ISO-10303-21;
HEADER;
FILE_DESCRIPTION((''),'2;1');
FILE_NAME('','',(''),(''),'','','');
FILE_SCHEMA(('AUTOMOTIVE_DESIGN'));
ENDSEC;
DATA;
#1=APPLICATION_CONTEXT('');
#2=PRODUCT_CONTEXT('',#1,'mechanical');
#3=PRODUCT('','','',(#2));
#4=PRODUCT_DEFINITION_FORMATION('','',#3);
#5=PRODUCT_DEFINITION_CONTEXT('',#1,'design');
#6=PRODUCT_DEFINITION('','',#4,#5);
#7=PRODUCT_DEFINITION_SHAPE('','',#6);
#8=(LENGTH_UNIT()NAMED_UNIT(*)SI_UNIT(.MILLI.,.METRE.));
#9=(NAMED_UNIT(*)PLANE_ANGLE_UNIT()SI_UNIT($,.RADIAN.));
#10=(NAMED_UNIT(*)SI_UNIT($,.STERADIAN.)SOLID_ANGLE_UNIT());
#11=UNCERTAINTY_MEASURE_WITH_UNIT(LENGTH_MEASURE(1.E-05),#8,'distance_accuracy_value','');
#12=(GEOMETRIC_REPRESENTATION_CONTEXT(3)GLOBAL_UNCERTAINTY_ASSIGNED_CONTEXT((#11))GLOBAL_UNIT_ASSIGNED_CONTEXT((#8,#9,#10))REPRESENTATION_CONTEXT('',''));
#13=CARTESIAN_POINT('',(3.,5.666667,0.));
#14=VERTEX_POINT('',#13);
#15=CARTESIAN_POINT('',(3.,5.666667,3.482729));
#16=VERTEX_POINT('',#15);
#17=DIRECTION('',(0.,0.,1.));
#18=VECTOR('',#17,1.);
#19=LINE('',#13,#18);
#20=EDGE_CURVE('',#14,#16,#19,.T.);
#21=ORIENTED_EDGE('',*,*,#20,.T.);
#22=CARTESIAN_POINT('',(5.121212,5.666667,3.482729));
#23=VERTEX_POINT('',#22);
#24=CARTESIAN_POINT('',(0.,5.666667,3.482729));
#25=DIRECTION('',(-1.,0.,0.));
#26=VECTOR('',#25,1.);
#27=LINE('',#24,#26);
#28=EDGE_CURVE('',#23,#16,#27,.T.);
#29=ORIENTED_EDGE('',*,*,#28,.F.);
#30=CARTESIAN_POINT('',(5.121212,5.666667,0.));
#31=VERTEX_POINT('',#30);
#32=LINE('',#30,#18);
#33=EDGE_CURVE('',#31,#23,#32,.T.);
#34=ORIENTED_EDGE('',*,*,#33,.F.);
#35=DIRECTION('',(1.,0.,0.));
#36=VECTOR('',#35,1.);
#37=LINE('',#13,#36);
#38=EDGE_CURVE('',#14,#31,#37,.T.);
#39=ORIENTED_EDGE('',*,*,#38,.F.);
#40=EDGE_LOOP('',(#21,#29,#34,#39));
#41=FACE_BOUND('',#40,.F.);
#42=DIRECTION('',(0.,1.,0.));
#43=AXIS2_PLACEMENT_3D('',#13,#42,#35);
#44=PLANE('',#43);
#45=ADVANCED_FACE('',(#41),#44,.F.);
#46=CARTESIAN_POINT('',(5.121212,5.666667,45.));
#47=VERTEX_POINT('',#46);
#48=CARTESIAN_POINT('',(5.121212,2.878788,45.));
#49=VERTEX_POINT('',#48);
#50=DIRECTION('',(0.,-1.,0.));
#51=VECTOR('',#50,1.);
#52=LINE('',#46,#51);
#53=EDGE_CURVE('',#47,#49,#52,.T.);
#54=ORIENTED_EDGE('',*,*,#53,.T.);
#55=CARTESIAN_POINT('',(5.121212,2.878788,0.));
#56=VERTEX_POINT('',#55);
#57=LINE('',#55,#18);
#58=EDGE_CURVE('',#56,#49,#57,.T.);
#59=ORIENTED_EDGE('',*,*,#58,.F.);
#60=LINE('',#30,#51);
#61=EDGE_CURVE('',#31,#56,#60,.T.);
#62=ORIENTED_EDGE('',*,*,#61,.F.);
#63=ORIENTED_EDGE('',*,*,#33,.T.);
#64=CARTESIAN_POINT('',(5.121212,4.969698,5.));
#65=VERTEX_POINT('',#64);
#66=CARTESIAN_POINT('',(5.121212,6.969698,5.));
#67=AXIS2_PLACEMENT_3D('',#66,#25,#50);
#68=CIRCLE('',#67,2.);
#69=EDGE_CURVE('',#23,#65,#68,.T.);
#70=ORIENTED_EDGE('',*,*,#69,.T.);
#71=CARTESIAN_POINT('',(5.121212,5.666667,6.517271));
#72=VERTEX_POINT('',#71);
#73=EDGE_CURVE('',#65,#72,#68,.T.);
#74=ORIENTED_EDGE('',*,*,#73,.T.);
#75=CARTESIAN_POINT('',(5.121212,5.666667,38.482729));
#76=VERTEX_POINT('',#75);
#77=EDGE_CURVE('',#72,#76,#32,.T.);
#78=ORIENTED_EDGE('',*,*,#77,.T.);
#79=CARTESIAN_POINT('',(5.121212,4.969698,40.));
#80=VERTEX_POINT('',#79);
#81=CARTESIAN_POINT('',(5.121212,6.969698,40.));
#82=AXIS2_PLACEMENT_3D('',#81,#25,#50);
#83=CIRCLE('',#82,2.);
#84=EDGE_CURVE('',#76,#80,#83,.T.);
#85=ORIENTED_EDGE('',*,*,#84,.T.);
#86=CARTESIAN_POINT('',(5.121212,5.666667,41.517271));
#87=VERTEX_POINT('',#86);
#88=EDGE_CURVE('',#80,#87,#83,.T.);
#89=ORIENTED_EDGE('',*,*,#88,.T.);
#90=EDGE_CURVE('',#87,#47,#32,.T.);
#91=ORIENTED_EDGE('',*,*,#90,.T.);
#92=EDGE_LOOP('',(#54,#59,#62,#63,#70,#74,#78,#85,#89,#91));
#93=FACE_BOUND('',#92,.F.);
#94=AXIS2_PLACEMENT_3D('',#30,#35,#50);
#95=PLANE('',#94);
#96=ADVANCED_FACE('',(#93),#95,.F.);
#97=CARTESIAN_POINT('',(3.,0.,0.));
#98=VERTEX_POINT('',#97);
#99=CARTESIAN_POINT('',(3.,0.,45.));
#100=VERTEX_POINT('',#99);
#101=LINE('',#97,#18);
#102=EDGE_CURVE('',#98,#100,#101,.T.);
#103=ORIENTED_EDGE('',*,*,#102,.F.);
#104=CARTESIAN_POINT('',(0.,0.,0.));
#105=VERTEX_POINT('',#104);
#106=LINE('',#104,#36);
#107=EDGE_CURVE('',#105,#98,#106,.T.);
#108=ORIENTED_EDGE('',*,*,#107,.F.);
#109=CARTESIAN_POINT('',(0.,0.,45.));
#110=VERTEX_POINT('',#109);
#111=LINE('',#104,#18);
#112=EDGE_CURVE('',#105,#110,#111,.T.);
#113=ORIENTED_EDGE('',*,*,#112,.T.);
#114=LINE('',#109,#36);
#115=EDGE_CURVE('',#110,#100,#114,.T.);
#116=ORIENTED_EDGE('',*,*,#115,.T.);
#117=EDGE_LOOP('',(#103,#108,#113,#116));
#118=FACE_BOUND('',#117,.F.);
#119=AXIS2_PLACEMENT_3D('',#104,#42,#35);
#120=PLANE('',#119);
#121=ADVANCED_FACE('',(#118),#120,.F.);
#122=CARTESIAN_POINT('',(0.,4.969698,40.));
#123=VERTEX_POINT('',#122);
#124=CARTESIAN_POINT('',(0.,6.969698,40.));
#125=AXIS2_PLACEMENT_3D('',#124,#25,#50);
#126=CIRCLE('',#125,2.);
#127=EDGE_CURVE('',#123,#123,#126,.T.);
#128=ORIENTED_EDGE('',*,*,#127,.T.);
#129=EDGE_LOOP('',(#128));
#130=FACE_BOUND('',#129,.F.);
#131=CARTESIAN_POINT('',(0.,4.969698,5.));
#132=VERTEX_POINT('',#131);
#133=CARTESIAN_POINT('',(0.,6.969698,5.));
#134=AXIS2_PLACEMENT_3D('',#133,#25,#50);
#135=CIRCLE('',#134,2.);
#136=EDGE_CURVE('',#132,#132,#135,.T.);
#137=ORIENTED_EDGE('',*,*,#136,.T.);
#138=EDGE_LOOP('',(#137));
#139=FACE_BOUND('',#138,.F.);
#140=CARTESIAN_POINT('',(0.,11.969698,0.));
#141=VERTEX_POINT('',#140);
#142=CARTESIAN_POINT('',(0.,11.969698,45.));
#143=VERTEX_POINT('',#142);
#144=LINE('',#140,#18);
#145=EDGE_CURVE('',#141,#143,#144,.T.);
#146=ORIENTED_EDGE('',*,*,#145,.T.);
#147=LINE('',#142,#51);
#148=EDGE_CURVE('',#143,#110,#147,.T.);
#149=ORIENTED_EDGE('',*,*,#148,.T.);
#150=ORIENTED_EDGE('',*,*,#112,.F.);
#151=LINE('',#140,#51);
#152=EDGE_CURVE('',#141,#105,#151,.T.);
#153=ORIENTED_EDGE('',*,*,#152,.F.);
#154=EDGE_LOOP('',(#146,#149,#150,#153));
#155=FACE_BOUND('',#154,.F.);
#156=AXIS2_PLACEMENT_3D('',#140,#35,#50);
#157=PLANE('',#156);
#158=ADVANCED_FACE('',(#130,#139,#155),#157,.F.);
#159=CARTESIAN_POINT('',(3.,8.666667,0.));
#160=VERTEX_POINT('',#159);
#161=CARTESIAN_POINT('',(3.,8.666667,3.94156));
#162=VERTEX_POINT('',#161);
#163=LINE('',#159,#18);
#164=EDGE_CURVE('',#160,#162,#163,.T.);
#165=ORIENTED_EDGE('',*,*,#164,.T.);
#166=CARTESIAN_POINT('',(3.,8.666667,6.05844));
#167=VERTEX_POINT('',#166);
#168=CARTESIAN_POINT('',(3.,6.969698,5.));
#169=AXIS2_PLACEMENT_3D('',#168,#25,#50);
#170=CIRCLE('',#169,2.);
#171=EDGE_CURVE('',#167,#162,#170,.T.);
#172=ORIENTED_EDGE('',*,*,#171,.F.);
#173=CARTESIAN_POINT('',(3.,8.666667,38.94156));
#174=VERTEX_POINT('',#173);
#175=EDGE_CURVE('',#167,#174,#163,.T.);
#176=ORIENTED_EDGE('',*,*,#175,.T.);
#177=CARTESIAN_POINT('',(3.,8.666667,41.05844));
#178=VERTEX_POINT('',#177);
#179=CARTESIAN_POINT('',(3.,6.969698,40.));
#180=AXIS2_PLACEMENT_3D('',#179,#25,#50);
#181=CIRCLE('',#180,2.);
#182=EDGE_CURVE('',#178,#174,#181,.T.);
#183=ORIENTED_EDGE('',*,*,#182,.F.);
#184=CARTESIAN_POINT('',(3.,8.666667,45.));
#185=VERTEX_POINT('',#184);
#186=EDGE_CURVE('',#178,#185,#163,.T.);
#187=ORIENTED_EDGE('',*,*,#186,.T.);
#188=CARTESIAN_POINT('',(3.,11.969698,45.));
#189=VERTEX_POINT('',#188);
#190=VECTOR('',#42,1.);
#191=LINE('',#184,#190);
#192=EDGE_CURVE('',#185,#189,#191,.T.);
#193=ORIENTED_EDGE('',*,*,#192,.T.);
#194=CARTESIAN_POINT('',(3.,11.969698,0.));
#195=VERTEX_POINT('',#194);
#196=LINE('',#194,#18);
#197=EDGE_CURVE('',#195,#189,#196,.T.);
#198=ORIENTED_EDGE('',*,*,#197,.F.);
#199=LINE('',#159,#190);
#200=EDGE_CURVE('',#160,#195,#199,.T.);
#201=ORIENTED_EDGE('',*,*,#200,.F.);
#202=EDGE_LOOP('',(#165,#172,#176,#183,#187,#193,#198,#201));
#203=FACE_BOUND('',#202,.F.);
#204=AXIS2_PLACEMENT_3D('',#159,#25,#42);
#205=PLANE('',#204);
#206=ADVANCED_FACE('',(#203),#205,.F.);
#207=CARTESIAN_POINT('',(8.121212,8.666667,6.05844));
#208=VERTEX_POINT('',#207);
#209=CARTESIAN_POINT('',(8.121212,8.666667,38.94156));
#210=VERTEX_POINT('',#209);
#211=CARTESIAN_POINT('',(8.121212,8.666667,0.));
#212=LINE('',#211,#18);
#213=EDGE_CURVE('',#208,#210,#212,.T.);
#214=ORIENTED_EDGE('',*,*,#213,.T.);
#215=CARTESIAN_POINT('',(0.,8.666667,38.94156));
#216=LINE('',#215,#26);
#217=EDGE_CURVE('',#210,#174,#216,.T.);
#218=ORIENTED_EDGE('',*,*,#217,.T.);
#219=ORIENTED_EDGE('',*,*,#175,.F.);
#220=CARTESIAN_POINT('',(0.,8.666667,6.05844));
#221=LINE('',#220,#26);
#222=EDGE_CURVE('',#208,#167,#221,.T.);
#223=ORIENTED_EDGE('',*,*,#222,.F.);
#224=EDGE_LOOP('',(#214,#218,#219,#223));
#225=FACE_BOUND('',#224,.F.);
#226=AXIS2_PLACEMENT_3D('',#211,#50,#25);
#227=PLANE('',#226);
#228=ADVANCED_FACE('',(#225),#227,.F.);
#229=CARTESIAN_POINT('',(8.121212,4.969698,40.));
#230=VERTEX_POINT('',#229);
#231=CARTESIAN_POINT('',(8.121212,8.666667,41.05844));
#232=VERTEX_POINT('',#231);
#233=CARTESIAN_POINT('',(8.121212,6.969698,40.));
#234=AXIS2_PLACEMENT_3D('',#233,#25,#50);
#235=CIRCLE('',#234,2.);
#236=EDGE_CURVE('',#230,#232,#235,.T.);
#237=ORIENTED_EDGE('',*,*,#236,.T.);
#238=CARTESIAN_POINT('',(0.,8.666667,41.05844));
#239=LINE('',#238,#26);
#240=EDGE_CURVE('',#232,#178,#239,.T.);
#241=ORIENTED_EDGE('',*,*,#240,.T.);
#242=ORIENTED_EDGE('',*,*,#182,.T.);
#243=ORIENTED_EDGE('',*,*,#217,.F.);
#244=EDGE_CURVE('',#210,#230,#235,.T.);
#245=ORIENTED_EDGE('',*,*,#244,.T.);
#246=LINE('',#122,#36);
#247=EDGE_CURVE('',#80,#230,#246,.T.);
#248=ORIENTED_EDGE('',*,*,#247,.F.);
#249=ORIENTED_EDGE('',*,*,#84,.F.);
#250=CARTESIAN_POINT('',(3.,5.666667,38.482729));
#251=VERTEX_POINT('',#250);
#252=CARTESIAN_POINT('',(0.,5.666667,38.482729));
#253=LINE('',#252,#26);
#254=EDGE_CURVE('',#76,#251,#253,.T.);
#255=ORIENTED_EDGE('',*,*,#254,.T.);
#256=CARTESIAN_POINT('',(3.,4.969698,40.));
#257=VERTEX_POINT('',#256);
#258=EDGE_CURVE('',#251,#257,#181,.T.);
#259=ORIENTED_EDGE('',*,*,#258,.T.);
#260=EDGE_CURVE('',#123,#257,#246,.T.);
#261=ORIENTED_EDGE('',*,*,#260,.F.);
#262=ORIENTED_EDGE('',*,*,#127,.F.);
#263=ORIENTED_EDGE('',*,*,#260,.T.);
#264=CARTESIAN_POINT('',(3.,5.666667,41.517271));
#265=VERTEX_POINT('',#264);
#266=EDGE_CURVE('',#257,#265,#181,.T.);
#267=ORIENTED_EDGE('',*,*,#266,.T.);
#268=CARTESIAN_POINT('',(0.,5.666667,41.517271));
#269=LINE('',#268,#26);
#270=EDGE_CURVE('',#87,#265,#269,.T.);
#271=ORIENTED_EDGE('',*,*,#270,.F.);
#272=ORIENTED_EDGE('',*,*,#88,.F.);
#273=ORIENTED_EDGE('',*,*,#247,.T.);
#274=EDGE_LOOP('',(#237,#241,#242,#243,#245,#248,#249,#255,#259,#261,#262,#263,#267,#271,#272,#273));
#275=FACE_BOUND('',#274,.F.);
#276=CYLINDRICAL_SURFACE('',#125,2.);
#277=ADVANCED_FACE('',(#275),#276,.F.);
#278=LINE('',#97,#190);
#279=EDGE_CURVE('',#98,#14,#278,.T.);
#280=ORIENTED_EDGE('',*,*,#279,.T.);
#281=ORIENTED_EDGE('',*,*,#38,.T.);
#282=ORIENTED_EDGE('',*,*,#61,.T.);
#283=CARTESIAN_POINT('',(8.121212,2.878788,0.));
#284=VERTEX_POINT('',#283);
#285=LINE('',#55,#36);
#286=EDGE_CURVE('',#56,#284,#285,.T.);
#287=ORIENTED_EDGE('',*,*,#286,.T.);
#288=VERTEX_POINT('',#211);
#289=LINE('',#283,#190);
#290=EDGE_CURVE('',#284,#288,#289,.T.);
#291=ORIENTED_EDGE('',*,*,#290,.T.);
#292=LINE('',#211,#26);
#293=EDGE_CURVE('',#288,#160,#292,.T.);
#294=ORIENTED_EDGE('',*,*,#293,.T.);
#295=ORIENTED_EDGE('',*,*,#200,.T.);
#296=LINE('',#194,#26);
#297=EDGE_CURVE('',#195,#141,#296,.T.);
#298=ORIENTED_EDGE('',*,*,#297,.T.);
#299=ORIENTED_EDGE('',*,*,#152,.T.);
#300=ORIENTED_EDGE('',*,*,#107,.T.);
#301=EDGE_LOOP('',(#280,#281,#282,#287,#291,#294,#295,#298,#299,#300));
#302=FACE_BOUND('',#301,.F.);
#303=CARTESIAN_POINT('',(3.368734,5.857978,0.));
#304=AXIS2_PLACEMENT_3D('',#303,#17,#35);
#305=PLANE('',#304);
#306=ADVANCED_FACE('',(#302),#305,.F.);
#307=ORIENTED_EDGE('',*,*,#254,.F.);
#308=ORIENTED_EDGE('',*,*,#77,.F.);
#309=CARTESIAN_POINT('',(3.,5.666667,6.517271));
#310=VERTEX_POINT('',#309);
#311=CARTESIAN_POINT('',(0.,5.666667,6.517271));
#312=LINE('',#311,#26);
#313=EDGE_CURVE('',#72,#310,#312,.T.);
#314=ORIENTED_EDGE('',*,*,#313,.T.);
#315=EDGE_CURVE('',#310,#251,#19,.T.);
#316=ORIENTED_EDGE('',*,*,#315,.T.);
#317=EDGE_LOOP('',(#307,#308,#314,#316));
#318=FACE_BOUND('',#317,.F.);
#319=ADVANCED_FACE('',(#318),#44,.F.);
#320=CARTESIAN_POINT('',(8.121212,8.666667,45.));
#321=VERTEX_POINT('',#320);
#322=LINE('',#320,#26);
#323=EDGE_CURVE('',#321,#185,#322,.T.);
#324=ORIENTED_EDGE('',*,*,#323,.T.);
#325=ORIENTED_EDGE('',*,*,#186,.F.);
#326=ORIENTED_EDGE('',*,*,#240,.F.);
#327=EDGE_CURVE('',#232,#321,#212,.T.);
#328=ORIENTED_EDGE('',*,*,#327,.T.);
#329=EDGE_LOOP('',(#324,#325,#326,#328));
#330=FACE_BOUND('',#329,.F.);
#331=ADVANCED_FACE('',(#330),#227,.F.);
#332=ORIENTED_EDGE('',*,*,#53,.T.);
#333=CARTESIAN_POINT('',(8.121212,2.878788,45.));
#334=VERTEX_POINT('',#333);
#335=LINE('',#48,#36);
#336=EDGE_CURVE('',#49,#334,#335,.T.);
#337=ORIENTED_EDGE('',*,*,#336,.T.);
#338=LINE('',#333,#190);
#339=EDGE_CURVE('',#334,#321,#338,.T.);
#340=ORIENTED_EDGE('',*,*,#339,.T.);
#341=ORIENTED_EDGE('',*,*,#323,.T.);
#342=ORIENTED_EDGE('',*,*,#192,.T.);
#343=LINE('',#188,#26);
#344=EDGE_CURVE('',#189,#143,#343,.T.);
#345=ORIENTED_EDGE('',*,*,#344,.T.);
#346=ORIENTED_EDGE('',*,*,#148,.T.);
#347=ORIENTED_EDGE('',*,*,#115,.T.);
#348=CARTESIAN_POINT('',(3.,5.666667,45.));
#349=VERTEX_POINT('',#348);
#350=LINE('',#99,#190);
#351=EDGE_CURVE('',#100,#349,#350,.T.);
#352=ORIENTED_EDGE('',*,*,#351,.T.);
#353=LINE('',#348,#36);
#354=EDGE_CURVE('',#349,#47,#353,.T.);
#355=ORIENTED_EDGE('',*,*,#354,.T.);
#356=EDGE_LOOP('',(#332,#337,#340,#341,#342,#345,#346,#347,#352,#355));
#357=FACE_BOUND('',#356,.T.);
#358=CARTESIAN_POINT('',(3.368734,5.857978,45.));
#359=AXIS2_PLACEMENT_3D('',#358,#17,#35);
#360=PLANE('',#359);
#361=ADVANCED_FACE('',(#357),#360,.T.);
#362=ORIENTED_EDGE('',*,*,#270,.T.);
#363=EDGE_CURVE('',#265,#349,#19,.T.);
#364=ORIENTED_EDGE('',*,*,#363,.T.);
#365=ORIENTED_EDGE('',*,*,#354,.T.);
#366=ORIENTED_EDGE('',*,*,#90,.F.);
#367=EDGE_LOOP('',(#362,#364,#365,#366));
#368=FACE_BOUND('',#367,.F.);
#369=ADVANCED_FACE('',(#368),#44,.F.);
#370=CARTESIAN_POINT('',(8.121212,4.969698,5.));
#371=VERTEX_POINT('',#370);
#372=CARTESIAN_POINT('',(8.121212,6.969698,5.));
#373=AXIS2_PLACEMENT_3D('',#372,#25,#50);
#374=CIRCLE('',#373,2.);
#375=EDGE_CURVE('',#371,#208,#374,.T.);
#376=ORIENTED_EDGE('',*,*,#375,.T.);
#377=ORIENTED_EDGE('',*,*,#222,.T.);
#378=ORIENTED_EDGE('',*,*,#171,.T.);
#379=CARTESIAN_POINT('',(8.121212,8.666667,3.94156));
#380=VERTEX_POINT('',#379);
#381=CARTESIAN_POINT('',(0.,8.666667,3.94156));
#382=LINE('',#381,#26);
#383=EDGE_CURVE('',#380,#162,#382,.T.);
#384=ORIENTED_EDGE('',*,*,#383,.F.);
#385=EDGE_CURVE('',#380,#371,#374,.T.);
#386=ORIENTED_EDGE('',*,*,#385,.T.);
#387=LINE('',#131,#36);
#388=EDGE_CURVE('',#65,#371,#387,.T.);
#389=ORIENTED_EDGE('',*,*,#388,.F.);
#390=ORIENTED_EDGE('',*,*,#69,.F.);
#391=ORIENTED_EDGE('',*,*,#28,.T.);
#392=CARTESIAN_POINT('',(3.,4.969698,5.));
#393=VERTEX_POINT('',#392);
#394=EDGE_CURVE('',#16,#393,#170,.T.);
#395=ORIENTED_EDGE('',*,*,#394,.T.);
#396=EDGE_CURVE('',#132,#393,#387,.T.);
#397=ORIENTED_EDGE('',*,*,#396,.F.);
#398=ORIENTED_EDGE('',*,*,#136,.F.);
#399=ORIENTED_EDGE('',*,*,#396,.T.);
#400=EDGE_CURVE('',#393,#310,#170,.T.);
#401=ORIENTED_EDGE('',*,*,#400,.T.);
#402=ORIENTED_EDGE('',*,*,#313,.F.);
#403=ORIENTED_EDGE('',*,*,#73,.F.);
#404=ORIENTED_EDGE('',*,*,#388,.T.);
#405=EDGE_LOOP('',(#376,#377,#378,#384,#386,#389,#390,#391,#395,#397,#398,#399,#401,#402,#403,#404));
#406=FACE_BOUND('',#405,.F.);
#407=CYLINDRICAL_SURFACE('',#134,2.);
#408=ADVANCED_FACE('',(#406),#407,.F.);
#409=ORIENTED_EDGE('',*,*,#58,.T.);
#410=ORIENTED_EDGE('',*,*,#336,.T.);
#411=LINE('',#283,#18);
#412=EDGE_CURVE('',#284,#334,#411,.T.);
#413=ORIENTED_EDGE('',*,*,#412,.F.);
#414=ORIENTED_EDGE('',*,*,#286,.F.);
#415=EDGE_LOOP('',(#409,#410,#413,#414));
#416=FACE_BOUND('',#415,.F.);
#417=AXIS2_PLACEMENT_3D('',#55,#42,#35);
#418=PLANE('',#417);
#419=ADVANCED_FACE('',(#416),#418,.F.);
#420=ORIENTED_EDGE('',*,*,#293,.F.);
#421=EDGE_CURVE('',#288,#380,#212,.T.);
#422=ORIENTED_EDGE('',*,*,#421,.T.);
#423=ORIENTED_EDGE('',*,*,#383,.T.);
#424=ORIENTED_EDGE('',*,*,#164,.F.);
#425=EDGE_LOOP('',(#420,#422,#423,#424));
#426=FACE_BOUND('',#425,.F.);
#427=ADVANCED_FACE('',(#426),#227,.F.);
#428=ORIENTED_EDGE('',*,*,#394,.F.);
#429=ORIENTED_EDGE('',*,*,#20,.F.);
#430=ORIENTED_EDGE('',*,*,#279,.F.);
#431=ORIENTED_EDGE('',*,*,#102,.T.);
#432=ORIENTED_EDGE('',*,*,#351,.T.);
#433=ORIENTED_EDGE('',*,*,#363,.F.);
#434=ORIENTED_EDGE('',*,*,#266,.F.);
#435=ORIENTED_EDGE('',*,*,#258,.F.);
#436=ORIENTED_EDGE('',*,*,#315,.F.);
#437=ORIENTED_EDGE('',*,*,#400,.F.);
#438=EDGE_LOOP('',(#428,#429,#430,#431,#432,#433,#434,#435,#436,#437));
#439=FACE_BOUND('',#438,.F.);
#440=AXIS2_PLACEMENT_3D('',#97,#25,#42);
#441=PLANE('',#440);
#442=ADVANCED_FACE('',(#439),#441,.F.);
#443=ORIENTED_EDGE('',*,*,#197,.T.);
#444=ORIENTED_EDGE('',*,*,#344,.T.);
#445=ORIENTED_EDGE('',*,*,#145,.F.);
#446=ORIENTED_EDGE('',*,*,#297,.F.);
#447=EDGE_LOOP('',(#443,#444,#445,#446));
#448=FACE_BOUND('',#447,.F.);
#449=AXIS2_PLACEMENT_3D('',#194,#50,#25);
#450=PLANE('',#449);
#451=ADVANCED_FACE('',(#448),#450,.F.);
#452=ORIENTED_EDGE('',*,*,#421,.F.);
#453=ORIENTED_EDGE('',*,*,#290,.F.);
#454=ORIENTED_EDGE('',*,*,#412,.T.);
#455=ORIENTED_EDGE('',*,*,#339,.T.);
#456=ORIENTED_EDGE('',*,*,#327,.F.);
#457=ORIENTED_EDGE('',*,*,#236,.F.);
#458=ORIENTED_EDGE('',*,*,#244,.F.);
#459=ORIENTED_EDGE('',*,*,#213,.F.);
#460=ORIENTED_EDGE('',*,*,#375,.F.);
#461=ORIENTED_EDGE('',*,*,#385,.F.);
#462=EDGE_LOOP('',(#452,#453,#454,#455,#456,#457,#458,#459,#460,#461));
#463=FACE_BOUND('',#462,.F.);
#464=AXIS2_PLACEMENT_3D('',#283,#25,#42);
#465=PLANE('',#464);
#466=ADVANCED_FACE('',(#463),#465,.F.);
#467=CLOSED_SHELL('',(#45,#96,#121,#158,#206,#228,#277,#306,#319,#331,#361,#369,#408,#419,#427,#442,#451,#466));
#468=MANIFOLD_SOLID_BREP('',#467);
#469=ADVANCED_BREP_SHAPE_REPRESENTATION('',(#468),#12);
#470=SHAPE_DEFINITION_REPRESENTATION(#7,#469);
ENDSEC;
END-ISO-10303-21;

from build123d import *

# Parameters (mm, degrees)
F1_DEPTH = 45
F2_R     = 2
F3_DEPTH = 8.122212


with BuildPart() as f1:
    # F0 (on Top) → F1 (new body)
    with BuildSketch(Plane.XY):
        Polygon((0, 11.969698), (0, 0), (3, 0), (3, 5.666667), (5.121212, 5.666667), (5.121212, 2.878788), (8.121212, 2.878788), (8.121212, 8.666667), (3, 8.666667), (3, 11.969698), align=None)
    extrude(amount=F1_DEPTH)

    # F2 (on face) → F3 (cut, through all)
    with BuildSketch(Plane(origin=(0, 0, 0), x_dir=(0, -1, 0), z_dir=(-1, 0, 0))):
        with Locations((-6.969698, 5)):
            Circle(F2_R)
        with Locations((-6.969698, 40)):
            Circle(F2_R)
    extrude(amount=-F3_DEPTH, mode=Mode.SUBTRACT)


solid = f1.part
